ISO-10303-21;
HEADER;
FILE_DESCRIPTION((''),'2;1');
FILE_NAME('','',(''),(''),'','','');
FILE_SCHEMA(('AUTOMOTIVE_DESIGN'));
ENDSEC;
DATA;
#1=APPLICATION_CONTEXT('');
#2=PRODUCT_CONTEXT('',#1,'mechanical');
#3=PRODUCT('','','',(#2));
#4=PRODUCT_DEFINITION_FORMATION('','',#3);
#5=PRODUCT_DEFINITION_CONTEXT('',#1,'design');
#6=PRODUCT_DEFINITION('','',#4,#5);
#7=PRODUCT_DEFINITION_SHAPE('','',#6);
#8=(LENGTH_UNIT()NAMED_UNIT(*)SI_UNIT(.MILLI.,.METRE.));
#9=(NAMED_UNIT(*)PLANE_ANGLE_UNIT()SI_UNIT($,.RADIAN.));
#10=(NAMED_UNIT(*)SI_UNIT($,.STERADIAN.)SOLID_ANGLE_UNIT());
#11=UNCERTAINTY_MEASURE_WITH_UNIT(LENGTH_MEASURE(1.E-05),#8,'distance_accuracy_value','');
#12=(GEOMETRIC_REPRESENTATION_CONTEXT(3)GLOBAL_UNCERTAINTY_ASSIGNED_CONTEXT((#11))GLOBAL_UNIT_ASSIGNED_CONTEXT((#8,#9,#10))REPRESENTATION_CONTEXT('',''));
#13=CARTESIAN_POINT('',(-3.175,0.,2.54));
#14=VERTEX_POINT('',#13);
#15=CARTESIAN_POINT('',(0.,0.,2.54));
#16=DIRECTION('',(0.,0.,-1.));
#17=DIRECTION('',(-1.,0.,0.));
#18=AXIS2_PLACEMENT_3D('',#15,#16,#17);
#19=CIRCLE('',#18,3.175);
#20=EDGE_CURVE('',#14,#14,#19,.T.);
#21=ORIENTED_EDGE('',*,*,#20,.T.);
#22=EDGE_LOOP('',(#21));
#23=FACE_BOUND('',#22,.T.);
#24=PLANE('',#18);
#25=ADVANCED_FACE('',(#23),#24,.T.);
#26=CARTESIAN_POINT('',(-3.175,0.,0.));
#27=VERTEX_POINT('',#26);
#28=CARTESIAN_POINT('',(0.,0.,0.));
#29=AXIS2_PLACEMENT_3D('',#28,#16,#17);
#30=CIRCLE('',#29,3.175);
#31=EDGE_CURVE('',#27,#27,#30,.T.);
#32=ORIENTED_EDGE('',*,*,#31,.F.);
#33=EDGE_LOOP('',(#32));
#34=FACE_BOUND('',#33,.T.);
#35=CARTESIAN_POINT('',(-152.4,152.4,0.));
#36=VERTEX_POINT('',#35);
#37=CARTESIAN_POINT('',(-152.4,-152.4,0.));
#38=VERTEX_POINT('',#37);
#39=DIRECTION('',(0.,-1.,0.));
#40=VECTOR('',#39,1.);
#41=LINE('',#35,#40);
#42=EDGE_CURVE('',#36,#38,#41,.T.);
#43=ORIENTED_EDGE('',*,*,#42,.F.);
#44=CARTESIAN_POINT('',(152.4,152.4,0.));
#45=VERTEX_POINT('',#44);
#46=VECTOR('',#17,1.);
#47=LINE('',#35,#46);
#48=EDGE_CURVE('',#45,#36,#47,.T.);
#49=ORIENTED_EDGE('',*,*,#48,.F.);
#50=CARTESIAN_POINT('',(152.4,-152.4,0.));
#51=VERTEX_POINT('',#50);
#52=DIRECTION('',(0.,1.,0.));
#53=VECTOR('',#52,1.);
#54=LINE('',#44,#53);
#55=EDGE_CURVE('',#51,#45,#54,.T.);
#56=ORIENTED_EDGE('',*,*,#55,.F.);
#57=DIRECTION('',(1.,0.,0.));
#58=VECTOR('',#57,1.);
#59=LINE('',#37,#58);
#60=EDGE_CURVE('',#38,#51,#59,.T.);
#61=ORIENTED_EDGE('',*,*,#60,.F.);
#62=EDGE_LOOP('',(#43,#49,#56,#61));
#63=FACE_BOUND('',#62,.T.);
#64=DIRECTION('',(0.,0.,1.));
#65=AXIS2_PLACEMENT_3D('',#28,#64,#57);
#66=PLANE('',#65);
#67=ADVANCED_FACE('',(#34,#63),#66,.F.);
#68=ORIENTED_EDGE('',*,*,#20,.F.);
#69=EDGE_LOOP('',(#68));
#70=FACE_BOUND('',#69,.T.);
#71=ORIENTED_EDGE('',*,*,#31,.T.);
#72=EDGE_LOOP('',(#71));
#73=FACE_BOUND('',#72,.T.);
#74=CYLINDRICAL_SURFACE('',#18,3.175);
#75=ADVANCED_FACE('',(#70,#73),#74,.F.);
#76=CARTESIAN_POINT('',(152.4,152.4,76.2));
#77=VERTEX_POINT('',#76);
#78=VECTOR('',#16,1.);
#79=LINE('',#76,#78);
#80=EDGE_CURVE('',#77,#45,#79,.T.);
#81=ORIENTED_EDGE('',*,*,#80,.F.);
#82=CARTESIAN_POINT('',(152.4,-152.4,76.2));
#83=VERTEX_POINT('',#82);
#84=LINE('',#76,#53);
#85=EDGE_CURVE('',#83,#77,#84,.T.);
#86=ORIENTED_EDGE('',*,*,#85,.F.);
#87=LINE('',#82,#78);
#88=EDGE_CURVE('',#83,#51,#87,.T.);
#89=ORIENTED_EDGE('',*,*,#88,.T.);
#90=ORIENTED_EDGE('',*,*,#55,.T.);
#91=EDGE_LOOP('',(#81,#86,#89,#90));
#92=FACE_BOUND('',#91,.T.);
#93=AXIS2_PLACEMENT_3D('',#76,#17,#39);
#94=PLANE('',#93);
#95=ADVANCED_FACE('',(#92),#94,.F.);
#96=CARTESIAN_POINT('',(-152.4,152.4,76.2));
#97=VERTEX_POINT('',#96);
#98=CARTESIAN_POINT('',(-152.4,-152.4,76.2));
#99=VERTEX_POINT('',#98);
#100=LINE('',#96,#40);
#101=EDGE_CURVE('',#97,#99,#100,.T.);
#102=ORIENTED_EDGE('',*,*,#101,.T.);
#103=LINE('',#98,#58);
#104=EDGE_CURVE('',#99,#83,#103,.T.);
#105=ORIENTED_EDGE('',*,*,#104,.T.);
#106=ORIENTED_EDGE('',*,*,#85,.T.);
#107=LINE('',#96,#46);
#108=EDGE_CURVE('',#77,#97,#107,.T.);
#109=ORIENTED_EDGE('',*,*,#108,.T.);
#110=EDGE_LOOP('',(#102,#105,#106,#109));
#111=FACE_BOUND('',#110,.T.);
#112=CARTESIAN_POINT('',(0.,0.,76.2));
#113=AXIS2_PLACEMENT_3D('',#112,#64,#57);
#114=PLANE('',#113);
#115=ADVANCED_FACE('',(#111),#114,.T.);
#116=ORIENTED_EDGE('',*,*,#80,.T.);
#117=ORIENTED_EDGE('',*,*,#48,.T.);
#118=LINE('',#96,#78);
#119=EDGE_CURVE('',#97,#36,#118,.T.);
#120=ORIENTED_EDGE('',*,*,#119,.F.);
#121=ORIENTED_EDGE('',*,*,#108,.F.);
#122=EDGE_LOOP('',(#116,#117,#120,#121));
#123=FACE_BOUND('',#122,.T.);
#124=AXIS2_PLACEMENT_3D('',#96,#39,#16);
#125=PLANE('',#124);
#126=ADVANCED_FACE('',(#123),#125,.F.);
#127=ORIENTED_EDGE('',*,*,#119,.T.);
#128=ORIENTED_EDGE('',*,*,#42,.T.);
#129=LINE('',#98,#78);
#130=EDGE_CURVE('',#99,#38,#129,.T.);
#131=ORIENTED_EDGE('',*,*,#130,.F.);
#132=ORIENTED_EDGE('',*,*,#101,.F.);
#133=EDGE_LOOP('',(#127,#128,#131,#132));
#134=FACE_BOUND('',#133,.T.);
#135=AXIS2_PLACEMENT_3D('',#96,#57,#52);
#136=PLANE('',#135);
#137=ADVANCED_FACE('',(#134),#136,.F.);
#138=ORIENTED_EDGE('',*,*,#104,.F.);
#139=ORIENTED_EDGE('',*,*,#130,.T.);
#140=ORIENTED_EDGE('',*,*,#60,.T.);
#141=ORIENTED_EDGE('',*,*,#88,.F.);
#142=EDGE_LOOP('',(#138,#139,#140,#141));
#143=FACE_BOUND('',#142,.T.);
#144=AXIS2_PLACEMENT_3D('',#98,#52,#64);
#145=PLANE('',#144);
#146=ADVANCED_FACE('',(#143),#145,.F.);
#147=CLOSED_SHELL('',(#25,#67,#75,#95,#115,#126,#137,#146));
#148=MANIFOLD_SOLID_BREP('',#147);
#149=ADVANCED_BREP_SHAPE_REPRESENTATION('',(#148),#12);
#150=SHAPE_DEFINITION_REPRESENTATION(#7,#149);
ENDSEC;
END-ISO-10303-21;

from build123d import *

# Parameters (mm, degrees)
SKETCH1_W           = 304.8
SKETCH1_H           = 304.8
BOSS_EXTRUDE1_DEPTH = 76.2
SKETCH2_R           = 3.175
CUT_EXTRUDE1_DEPTH  = 2.54


with BuildPart() as part:
    # Sketch1 → Boss-Extrude1 (new body)
    with BuildSketch(Plane.XY):
        Rectangle(SKETCH1_W, SKETCH1_H)
    extrude(amount=BOSS_EXTRUDE1_DEPTH)

    # Sketch2 → Cut-Extrude1 (cut)
    with BuildSketch(Plane(origin=(0, 0, 0), x_dir=(-1, 0, 0), z_dir=(0, 0, -1))):
        Circle(SKETCH2_R)
    extrude(amount=-CUT_EXTRUDE1_DEPTH, mode=Mode.SUBTRACT)


solid = part.part
